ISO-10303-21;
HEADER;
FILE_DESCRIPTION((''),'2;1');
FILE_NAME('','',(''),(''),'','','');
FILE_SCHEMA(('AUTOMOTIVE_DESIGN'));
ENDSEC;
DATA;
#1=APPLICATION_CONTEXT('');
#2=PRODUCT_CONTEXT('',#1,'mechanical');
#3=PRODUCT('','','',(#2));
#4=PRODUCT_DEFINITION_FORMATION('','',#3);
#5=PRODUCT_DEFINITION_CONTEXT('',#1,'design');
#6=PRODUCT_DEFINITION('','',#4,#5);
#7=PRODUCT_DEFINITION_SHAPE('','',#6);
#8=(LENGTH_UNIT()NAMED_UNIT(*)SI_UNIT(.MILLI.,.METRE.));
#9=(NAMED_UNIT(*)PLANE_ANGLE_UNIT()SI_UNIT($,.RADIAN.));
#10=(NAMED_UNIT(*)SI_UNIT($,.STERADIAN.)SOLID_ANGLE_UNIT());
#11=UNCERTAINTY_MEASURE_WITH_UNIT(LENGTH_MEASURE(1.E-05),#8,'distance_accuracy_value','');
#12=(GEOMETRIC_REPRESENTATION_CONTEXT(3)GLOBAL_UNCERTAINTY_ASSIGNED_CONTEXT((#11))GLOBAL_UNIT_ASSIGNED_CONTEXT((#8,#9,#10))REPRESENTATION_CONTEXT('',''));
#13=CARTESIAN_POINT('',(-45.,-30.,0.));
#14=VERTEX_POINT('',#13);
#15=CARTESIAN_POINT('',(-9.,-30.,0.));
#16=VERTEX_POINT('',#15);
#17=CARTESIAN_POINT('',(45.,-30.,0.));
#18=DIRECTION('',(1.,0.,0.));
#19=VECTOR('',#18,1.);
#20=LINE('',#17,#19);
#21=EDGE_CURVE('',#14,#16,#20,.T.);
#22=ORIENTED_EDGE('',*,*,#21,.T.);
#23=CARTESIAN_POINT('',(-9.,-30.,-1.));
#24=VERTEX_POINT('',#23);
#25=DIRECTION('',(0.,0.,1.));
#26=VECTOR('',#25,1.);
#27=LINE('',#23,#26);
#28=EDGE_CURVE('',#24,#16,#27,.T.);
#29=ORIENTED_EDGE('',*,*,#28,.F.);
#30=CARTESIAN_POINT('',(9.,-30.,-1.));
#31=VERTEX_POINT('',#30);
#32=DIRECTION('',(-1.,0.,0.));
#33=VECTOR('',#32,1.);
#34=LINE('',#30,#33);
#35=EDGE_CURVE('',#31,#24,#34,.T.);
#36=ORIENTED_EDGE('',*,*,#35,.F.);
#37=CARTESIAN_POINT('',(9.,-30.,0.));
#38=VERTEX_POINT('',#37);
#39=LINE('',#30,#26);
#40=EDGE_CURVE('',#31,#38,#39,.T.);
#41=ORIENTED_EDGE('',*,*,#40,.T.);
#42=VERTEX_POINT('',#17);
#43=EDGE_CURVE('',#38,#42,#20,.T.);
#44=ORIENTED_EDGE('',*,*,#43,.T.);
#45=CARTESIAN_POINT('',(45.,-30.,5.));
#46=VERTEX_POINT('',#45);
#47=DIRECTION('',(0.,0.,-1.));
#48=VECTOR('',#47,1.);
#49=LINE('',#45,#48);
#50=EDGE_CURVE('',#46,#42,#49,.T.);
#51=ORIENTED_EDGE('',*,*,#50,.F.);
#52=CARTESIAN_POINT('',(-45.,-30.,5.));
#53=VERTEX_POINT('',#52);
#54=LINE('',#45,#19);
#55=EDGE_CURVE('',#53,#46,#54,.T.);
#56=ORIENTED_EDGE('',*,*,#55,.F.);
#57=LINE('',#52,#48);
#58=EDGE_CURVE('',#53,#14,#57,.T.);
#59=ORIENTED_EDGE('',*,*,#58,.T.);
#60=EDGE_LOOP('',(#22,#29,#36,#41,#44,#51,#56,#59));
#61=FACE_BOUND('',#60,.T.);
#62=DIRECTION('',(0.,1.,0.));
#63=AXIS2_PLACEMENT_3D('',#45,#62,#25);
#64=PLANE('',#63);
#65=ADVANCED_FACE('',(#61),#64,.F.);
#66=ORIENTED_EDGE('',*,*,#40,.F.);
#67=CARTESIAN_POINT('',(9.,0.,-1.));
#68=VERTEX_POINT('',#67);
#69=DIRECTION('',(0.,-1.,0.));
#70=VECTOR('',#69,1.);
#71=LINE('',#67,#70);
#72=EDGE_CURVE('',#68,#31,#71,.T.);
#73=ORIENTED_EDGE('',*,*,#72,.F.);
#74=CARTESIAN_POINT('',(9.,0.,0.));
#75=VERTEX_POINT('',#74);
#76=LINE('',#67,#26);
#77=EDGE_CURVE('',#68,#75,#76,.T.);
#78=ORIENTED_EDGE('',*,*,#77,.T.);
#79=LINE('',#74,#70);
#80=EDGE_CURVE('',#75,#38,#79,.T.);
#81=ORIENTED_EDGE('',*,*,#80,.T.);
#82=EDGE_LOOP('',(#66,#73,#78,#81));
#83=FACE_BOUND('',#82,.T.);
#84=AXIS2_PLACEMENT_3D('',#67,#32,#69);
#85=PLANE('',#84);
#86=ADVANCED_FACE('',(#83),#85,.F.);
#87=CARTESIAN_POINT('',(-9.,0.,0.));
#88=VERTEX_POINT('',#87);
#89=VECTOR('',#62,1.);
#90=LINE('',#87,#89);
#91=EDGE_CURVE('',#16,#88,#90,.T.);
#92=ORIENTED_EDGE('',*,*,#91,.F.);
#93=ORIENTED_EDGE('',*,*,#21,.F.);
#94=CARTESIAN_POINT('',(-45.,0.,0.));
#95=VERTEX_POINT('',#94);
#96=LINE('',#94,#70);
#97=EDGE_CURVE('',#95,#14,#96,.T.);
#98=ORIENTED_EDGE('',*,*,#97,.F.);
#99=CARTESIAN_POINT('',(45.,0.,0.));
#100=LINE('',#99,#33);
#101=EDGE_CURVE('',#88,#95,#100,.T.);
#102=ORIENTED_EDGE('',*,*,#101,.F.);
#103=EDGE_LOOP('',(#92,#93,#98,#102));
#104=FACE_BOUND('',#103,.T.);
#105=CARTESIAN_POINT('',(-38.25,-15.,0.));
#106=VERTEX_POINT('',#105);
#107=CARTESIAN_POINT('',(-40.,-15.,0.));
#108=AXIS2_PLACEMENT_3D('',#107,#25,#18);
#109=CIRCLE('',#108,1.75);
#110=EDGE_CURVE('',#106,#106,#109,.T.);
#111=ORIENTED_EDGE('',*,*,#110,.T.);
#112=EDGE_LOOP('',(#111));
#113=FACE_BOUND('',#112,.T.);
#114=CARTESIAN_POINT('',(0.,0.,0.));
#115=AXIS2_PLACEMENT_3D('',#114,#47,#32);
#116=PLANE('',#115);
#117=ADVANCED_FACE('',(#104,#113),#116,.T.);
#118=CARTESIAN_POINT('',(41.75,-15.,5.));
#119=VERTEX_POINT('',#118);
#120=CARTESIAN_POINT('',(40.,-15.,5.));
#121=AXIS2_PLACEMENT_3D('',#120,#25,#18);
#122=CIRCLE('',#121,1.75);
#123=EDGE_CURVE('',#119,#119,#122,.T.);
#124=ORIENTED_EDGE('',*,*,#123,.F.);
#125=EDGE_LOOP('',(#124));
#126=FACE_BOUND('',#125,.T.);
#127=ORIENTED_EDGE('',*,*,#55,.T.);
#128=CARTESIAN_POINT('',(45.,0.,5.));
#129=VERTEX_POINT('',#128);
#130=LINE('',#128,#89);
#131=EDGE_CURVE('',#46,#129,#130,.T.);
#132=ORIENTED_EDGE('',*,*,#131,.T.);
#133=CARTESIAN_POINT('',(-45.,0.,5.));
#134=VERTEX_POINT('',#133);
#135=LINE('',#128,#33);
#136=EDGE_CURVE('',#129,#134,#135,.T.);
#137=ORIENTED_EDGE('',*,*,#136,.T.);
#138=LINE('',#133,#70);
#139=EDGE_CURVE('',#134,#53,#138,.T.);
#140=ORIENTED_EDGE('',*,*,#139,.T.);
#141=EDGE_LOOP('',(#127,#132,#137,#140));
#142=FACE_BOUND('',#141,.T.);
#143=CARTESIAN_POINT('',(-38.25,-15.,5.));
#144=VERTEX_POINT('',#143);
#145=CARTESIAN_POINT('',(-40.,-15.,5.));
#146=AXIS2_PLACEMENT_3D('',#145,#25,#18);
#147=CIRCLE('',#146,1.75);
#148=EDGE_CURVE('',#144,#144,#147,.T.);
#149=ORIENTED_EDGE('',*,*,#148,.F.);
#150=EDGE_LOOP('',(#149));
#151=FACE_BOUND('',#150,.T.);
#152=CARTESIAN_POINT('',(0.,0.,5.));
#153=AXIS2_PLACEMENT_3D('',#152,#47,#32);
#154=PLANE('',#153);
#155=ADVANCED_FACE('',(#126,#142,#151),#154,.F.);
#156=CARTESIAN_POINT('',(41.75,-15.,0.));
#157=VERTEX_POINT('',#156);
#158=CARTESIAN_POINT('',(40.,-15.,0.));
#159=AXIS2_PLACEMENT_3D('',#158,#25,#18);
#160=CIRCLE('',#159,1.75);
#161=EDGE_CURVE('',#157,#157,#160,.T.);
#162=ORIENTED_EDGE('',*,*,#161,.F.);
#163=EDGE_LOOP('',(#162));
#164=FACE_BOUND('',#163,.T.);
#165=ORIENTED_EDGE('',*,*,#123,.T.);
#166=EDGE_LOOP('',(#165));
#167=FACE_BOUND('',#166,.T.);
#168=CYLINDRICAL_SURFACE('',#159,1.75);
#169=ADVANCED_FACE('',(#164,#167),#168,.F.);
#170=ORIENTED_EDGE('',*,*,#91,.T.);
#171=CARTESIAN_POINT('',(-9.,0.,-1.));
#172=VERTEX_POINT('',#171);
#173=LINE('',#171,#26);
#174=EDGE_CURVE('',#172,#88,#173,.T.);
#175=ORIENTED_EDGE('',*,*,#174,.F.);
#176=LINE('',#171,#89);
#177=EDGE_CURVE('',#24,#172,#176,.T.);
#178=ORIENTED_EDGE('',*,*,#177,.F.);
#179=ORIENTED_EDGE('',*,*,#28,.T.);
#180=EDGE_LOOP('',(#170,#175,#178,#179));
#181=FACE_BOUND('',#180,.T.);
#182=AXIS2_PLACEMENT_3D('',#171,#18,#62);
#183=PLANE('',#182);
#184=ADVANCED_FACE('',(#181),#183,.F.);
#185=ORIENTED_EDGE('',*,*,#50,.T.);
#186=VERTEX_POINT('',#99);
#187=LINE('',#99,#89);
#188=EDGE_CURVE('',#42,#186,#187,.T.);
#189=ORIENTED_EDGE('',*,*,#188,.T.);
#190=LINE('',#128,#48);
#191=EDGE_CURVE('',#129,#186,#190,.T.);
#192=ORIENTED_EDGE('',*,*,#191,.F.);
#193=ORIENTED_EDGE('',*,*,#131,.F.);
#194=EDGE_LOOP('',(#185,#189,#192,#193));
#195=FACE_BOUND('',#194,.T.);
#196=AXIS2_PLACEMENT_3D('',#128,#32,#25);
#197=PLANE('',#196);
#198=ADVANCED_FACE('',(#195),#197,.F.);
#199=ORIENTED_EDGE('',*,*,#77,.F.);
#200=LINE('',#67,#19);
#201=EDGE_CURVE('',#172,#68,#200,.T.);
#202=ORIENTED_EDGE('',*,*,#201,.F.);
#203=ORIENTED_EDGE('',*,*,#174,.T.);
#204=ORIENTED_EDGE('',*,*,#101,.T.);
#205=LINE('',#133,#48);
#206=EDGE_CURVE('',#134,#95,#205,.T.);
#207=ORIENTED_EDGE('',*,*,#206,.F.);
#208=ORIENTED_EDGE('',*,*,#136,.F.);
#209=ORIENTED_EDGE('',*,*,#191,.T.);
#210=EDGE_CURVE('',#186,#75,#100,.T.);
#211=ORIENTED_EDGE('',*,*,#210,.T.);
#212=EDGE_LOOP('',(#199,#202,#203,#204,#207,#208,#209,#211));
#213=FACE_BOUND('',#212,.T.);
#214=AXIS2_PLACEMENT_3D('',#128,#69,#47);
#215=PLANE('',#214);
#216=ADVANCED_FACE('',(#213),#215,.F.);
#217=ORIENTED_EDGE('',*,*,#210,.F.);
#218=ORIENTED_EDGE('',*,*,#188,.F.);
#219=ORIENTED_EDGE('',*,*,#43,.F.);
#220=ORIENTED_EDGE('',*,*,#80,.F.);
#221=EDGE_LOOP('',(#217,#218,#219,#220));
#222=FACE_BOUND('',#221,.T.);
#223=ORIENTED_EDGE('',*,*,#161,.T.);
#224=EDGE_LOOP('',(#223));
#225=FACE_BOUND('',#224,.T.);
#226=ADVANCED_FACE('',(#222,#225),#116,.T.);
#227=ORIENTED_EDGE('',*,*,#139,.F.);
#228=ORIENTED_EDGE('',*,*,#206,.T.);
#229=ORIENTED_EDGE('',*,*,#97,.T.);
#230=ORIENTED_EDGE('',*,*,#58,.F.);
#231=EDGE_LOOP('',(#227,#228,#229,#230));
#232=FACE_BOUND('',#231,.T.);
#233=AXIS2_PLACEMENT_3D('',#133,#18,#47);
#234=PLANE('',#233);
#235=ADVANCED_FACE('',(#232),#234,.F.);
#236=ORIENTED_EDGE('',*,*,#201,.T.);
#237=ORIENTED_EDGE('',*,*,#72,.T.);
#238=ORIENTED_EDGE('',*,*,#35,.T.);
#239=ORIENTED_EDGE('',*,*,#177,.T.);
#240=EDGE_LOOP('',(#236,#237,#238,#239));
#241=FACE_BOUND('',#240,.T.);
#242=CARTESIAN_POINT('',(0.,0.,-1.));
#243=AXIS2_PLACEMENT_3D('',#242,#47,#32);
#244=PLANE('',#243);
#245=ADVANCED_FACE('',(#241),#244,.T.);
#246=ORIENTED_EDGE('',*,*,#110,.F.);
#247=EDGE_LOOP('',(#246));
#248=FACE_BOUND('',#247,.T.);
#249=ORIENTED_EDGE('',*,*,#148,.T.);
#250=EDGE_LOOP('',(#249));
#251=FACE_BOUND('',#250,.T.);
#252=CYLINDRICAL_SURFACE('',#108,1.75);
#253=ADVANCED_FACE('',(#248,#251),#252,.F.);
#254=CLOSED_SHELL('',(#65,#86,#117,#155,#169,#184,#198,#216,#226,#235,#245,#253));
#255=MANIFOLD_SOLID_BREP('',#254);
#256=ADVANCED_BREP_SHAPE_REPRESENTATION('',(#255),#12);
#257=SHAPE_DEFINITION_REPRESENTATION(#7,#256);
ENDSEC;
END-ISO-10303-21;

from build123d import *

# Parameters (mm, degrees)
SKETCH1_W           = 90
SKETCH1_H           = 30
BOSS_EXTRUDE1_DEPTH = 5
SKETCH2_R           = 1.75
CUT_EXTRUDE1_DEPTH  = 55.313902456
SKETCH3_W           = 18
SKETCH3_H           = 30
BOSS_EXTRUDE2_DEPTH = 1


with BuildPart() as part:
    # Sketch1 → Boss-Extrude1 (new body)
    with BuildSketch(Plane.XY):
        with Locations((0, -15)):
            Rectangle(SKETCH1_W, SKETCH1_H)
    extrude(amount=BOSS_EXTRUDE1_DEPTH)

    # Sketch2 → Cut-Extrude1 (cut, through all)
    with BuildSketch(Plane.XY.offset(5)):
        with Locations((40, -15)):
            Circle(SKETCH2_R)
        with Locations((-40, -15)):
            Circle(SKETCH2_R)
    extrude(amount=-CUT_EXTRUDE1_DEPTH, mode=Mode.SUBTRACT)

    # Sketch3 → Boss-Extrude2 (add)
    with BuildSketch(Plane(origin=(0, 0, 0), x_dir=(-1, 0, 0), z_dir=(0, 0, -1))):
        with Locations((0, -15)):
            Rectangle(SKETCH3_W, SKETCH3_H)
    extrude(amount=BOSS_EXTRUDE2_DEPTH)


solid = part.part
